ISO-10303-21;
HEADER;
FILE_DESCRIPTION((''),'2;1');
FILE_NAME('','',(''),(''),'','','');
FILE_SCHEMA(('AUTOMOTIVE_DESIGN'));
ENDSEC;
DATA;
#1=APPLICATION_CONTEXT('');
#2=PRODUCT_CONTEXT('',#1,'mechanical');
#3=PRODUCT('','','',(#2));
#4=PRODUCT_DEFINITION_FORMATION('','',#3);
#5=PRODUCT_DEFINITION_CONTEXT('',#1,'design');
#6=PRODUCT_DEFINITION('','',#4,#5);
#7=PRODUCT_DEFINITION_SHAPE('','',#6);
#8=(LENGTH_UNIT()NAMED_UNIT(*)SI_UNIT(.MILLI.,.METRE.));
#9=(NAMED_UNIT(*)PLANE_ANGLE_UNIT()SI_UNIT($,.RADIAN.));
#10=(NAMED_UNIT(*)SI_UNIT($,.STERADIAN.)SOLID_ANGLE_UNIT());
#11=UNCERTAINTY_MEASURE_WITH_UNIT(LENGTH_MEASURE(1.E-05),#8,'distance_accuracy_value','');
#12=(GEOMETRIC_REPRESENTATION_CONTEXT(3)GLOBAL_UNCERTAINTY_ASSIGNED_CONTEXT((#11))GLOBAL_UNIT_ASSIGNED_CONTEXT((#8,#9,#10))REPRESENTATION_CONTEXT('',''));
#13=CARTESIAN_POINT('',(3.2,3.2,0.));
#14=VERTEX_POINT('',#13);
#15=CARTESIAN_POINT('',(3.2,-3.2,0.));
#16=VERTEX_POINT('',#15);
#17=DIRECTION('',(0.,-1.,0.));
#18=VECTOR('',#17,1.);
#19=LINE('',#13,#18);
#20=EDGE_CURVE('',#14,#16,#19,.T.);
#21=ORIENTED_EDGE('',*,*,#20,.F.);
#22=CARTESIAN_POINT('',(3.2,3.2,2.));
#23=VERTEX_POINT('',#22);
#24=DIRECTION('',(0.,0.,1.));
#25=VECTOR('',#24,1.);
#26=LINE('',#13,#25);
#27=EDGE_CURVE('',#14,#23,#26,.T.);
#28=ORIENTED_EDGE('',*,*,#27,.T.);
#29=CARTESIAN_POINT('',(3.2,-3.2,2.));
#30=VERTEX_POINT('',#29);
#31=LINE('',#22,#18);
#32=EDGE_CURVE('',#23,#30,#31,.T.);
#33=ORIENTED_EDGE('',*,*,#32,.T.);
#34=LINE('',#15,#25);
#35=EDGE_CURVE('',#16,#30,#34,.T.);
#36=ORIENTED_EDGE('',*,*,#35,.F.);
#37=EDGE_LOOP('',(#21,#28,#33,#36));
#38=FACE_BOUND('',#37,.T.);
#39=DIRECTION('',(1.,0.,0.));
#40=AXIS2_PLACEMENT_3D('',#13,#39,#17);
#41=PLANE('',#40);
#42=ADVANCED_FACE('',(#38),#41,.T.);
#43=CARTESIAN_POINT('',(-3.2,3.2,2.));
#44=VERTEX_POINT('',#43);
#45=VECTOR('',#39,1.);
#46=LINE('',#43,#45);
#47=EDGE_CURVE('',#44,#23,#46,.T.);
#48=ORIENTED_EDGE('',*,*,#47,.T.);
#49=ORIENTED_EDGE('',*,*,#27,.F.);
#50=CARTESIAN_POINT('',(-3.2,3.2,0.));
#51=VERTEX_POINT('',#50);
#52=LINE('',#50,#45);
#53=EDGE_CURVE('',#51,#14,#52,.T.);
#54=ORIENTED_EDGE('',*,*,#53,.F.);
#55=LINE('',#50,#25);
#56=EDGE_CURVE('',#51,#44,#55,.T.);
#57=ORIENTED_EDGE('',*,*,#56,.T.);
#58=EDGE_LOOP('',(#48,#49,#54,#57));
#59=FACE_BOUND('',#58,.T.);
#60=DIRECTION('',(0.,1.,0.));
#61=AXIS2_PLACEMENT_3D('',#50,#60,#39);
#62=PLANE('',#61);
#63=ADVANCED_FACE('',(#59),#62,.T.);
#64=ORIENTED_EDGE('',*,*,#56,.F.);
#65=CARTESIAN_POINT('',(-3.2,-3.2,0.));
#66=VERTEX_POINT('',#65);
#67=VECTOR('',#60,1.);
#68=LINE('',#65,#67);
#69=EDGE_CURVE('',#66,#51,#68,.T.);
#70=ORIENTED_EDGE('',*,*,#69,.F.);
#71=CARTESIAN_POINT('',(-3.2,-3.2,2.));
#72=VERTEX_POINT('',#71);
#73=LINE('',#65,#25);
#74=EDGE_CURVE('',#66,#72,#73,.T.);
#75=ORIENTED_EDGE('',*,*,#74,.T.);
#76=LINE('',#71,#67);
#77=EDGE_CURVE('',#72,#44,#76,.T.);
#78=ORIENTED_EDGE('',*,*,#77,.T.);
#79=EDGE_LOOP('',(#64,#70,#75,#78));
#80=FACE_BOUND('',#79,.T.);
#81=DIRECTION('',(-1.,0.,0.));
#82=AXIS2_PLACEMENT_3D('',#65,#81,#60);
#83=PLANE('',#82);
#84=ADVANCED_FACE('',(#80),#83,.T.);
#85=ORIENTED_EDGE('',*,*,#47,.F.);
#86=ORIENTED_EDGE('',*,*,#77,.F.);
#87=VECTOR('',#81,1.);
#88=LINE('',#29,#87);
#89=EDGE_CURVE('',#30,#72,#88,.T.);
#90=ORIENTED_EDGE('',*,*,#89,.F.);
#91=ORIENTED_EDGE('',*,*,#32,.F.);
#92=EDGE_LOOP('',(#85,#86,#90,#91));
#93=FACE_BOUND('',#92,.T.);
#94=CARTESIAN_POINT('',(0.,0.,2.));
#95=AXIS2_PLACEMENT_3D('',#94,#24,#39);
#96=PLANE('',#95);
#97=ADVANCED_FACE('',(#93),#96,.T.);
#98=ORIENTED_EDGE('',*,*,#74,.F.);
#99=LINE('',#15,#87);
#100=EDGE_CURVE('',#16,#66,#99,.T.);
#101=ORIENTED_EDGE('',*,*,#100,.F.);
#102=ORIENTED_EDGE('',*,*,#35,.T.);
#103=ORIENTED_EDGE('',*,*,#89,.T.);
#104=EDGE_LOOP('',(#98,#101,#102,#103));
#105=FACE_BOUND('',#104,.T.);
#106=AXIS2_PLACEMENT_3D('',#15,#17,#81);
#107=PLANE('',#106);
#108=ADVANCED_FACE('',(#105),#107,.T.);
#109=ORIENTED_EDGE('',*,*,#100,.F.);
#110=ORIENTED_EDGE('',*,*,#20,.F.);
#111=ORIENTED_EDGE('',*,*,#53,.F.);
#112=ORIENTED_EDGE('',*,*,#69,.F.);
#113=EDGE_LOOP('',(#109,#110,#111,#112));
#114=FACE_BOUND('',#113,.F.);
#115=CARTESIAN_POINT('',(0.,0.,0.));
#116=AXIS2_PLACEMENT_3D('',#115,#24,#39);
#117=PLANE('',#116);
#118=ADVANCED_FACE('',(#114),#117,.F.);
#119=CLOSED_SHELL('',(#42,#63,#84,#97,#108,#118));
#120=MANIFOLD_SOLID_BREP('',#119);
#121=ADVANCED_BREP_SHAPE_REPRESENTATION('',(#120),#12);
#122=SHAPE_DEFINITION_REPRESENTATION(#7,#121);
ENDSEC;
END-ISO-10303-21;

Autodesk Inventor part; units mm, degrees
ref_plane "YZ Plane" through (0, 0, 0) normal (1, 0, 0) x (0, 1, 0)
ref_plane "XZ Plane" through (0, 0, 0) normal (0, 1, 0) x (-1, 0, 0)
ref_plane "XY Plane" through (0, 0, 0) normal (0, 0, 1) x (1, 0, 0)
sketch "Sketch1" plane through (0, 0, 0) normal (0, 0, 1) x (1, 0, 0)
  line L0 (3.2, -3.2) -> (-3.2, -3.2)
  line L1 (-3.2, -3.2) -> (-3.2, 3.2)
  line L2 (-3.2, 3.2) -> (3.2, 3.2)
  line L3 (3.2, 3.2) -> (3.2, -3.2)
  line L4 (3.2, -3.2) -> (-3.2, 3.2) construction
  line L5 (-3.2, -3.2) -> (3.2, 3.2) construction
  point P0 (0, 0)
  dimension "d0" = 6.4
  dimension "d1" = 6.4
extrude "Extrusion1" add sketch "Sketch1" along normal blind 2
properties part number "00_Bluraymirror_6.4x6.4x2mm"
